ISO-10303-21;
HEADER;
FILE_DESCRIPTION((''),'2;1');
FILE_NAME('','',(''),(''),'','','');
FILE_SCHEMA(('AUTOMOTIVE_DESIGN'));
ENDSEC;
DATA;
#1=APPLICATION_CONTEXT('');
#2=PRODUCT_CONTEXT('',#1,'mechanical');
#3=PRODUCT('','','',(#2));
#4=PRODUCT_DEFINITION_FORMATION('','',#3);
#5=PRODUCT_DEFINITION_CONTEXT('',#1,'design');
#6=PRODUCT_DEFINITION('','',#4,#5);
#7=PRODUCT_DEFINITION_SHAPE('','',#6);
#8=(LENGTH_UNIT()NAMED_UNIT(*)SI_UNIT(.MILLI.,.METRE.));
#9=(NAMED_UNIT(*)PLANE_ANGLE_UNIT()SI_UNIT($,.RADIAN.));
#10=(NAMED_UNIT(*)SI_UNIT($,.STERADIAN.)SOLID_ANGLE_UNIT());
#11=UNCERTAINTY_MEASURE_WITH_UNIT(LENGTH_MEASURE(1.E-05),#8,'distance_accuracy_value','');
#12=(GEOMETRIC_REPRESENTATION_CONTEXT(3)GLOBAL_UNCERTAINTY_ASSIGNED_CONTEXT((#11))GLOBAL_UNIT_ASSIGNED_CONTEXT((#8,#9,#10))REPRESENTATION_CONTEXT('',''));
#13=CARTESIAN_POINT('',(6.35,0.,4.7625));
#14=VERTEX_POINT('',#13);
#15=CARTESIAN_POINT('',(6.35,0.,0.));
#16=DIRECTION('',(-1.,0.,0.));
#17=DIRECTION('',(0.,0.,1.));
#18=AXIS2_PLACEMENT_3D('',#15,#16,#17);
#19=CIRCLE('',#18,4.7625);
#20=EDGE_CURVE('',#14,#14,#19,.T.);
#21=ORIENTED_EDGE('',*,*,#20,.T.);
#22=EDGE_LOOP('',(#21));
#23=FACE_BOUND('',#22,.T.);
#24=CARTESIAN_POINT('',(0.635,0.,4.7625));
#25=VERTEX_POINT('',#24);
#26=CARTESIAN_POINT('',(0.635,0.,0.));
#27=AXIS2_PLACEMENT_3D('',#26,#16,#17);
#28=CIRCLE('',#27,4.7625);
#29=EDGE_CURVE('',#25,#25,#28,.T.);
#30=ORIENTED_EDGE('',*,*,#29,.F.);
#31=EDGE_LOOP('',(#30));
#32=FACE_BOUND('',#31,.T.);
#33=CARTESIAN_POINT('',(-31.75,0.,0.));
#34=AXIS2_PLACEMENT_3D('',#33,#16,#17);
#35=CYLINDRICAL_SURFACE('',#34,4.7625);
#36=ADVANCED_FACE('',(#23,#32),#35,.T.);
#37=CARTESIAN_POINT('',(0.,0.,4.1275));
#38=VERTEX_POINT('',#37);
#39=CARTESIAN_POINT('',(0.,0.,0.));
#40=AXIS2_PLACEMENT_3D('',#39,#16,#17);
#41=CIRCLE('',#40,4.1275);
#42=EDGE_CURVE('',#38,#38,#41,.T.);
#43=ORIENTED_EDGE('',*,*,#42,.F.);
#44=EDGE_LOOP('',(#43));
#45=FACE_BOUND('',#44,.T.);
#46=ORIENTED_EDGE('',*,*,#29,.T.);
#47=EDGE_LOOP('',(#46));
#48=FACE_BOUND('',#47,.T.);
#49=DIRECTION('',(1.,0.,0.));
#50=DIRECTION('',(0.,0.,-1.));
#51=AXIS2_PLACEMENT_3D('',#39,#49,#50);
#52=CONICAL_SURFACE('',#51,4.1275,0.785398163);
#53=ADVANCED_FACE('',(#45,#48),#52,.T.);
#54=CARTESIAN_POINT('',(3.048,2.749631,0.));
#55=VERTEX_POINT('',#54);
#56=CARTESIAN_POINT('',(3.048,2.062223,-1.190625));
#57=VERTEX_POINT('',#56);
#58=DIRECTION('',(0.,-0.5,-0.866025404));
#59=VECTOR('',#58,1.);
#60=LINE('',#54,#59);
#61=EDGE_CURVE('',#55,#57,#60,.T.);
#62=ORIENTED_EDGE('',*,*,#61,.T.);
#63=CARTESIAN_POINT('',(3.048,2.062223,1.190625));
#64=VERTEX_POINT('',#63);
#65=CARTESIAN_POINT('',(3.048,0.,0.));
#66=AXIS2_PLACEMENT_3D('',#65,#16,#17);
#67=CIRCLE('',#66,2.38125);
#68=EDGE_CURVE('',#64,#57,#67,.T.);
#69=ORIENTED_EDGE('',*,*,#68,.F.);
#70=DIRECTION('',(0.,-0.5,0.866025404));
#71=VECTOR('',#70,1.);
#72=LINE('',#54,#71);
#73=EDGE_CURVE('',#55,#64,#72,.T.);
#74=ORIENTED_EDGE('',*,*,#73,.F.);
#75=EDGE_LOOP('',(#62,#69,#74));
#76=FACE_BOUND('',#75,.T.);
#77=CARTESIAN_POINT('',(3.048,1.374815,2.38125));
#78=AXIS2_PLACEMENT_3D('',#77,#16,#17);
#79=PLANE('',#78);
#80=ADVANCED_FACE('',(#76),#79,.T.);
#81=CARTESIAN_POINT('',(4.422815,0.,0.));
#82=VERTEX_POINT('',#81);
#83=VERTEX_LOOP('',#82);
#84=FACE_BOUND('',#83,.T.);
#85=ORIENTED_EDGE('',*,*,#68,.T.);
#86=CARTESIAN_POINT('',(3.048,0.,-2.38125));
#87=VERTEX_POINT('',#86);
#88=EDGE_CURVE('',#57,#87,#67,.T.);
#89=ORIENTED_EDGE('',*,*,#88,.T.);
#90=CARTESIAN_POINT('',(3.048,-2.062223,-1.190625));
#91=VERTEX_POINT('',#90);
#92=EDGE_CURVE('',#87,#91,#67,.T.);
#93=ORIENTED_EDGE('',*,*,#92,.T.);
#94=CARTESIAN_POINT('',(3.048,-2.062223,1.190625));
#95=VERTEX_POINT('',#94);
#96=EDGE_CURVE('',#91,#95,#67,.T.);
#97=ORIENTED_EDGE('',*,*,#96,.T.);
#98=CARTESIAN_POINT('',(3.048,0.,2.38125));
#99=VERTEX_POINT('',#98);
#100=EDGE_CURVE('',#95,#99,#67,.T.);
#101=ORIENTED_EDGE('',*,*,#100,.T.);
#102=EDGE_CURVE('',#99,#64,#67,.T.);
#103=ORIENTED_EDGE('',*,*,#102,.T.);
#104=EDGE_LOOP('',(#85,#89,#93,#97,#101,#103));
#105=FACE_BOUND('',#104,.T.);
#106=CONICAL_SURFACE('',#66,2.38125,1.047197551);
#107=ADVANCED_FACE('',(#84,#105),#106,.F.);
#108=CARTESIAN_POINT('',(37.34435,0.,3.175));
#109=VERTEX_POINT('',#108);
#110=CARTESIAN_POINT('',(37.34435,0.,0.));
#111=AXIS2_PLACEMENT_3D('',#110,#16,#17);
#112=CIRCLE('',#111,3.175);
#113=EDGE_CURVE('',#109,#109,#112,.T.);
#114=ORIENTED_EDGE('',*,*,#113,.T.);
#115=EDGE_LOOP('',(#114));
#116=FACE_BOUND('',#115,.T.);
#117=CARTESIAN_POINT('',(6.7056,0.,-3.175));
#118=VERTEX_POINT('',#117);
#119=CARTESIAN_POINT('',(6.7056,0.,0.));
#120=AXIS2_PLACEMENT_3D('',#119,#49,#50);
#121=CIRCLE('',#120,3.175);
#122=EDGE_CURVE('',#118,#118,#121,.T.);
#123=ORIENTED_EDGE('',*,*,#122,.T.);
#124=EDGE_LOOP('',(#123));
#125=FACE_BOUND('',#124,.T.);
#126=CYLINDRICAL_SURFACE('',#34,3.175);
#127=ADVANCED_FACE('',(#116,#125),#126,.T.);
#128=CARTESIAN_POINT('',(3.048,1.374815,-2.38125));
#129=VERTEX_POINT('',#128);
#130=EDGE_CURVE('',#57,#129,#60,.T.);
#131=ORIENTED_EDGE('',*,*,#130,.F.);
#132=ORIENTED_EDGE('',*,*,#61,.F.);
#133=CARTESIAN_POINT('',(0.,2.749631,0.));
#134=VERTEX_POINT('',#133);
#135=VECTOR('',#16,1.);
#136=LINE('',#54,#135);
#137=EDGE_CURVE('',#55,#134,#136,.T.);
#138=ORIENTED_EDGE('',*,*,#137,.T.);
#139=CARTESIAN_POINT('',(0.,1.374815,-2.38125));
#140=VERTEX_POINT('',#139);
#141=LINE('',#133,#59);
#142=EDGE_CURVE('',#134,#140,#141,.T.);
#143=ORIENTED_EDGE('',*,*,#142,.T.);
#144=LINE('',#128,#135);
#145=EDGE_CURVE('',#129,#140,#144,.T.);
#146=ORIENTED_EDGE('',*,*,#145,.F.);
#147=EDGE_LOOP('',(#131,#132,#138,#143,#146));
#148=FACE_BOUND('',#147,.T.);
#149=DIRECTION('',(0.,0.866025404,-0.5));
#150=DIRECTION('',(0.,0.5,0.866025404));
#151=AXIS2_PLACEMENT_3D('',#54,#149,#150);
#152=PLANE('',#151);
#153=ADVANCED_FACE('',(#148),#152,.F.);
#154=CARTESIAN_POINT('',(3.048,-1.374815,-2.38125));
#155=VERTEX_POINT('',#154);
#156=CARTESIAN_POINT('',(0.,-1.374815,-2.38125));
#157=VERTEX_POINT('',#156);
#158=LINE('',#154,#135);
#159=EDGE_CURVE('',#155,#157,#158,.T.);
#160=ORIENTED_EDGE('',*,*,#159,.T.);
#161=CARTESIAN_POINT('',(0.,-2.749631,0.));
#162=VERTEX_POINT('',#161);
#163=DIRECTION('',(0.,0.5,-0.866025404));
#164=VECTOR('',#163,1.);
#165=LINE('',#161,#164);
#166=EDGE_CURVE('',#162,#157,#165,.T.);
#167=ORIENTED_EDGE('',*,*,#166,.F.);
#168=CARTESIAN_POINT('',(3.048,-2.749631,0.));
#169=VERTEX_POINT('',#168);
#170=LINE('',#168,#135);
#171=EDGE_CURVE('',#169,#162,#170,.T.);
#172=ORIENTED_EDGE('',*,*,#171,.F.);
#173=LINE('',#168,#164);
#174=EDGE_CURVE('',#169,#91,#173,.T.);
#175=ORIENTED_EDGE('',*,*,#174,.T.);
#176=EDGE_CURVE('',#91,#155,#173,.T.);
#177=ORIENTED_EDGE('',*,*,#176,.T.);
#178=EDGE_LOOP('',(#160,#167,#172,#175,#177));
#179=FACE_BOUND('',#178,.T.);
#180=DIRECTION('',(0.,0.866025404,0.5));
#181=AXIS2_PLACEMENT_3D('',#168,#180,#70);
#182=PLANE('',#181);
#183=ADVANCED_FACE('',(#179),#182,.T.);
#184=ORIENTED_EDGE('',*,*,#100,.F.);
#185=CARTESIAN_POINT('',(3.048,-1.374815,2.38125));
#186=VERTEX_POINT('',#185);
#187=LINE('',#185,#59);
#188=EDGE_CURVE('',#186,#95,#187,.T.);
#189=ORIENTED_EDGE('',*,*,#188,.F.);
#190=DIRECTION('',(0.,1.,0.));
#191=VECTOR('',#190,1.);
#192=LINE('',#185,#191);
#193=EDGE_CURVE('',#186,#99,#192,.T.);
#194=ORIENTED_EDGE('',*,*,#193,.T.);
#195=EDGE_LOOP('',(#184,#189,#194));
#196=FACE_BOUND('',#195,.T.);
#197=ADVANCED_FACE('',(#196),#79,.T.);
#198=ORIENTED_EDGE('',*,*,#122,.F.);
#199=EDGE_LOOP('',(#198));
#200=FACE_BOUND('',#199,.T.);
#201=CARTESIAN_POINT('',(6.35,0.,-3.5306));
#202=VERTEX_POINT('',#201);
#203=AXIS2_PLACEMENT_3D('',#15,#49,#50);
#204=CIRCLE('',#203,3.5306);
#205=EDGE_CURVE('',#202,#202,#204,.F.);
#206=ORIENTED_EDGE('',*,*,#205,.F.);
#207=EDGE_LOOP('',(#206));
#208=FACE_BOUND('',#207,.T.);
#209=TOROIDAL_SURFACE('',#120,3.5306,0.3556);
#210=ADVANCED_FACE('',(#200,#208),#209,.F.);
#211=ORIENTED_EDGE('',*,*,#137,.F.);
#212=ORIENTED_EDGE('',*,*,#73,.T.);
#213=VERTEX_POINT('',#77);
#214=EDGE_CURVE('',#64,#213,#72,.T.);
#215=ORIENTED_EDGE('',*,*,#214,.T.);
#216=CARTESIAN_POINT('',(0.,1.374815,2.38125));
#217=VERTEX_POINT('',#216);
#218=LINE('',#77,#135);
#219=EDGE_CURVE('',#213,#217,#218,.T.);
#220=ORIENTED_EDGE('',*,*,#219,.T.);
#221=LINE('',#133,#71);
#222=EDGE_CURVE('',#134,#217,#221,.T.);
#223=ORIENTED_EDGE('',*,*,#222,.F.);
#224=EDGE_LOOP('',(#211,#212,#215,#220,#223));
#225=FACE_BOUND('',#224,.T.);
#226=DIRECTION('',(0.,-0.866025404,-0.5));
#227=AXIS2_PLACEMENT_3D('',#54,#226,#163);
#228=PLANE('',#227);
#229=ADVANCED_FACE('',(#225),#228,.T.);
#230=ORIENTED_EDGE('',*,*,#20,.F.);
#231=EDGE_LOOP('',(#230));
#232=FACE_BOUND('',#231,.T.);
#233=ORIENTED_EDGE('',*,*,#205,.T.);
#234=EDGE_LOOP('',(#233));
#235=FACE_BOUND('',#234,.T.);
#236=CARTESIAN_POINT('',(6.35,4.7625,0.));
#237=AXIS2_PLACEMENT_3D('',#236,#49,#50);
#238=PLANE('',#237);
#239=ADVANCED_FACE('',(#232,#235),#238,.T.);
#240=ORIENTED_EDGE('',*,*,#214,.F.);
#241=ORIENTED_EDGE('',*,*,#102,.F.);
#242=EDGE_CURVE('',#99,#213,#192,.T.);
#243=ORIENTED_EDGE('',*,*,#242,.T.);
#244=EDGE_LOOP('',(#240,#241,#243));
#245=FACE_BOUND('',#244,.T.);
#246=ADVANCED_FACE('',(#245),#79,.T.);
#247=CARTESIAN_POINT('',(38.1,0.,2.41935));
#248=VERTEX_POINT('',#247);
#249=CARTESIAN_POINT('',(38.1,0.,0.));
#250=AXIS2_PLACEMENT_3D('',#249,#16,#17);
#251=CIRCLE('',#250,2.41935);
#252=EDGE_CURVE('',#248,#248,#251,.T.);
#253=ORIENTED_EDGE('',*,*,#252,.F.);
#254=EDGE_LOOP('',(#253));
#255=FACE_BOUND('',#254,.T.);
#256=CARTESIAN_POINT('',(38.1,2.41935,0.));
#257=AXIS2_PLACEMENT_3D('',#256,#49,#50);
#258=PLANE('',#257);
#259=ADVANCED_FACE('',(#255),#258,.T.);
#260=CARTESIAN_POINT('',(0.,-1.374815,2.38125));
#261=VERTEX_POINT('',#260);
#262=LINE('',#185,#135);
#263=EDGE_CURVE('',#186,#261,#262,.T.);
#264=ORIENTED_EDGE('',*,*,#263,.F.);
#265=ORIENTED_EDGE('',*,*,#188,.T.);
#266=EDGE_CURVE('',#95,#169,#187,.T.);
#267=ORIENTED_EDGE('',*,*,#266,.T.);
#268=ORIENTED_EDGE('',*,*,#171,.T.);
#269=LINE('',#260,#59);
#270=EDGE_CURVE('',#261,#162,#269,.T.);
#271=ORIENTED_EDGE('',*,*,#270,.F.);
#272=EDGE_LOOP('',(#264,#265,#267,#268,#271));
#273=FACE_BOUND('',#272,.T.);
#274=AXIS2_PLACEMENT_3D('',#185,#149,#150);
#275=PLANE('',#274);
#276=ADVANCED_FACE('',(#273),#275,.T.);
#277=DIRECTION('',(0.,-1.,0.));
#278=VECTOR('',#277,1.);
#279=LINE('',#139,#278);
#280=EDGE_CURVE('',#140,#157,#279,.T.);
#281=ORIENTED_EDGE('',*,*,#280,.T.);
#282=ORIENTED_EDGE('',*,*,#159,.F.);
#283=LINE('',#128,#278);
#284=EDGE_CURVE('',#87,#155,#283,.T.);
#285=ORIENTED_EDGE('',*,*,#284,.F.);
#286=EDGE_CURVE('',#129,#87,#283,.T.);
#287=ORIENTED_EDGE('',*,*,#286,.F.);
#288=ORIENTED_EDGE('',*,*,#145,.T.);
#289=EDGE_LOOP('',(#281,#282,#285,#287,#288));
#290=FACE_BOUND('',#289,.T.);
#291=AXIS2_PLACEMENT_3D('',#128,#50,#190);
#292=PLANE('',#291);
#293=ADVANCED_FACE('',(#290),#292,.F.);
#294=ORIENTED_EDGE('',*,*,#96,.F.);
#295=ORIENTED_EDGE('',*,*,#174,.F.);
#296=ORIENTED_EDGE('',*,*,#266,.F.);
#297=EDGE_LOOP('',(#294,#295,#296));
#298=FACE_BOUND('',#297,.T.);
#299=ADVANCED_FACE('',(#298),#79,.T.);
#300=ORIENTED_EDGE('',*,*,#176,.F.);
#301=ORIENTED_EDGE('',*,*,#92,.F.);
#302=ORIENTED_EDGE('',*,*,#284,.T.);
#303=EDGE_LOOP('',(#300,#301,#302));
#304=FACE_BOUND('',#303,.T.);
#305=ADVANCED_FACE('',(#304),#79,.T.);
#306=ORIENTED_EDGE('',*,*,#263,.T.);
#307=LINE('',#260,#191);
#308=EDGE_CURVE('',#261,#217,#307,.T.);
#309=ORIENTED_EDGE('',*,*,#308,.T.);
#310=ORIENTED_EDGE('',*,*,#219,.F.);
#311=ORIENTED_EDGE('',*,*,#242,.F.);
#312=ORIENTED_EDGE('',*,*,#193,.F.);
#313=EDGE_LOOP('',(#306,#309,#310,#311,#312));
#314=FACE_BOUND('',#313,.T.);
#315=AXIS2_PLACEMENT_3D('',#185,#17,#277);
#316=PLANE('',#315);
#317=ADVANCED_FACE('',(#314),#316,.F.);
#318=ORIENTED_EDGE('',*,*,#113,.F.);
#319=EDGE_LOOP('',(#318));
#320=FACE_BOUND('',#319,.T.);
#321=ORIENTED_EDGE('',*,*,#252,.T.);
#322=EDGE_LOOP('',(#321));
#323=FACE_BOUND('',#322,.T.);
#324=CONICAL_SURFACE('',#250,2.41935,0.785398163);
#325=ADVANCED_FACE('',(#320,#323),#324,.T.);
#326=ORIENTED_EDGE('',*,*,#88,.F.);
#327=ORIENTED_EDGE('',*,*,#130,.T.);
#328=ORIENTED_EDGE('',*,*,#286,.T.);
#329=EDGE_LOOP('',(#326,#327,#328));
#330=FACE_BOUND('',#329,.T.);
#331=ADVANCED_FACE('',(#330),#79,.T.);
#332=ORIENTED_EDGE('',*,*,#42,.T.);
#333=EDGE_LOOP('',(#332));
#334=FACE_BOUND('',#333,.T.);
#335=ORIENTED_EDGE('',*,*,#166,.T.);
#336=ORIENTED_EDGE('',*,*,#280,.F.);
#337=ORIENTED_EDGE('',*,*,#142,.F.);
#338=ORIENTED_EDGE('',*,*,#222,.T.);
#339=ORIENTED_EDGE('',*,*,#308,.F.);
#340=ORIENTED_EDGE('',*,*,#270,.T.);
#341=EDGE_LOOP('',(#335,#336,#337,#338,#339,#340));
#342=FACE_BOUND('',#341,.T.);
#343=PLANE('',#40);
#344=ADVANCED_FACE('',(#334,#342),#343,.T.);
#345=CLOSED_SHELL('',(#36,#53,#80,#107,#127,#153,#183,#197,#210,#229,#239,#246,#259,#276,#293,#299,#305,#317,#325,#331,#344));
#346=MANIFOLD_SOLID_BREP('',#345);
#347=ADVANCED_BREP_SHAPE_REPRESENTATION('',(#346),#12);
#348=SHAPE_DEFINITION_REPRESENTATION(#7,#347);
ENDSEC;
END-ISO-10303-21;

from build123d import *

# Parameters (mm, degrees)
FILLET1_R   = 0.3556
HEX_2_DEPTH = 3.048


with BuildPart() as part:
    # BodySke → Base-Revolve (revolve)
    with BuildSketch(Plane.XY):
        Polygon((0, 0), (0, 4.1275), (0.635, 4.7625), (6.35, 4.7625), (6.35, 3.175), (37.34435, 3.175), (38.1, 2.41935), (38.1, 0), align=None)
    revolve(axis=Axis((-31.75, 0, 0), (1, 0, 0)))

    # Fillet1
    fillet1_edges = [part.edges().sort_by_distance(p)[0] for p in [
        (6.35, -3.175, 0),
    ]]
    fillet(fillet1_edges, radius=FILLET1_R)

    # Sketch2 → Hex-PreBroach (revolve, cut)
    with BuildSketch(Plane.XY):
        Polygon((0, 2.38125), (3.048, 2.38125), (4.422815329, 0), (0, 0), align=None)
    revolve(axis=Axis((0, 0, 0), (1, 0, 0)), mode=Mode.SUBTRACT)

    # Sketch3 → Hex 2 (cut)
    with BuildSketch(Plane(origin=(0, 0, 0), x_dir=(0, 0.5, 0.866025404), z_dir=(-1, 0, 0))):
        Polygon((1.374815329, 2.38125), (-1.374815329, 2.38125), (-2.749630657, 0), (-1.374815329, -2.38125), (1.374815329, -2.38125), (2.749630657, 0), align=None)
    extrude(amount=-HEX_2_DEPTH, mode=Mode.SUBTRACT)


solid = part.part
